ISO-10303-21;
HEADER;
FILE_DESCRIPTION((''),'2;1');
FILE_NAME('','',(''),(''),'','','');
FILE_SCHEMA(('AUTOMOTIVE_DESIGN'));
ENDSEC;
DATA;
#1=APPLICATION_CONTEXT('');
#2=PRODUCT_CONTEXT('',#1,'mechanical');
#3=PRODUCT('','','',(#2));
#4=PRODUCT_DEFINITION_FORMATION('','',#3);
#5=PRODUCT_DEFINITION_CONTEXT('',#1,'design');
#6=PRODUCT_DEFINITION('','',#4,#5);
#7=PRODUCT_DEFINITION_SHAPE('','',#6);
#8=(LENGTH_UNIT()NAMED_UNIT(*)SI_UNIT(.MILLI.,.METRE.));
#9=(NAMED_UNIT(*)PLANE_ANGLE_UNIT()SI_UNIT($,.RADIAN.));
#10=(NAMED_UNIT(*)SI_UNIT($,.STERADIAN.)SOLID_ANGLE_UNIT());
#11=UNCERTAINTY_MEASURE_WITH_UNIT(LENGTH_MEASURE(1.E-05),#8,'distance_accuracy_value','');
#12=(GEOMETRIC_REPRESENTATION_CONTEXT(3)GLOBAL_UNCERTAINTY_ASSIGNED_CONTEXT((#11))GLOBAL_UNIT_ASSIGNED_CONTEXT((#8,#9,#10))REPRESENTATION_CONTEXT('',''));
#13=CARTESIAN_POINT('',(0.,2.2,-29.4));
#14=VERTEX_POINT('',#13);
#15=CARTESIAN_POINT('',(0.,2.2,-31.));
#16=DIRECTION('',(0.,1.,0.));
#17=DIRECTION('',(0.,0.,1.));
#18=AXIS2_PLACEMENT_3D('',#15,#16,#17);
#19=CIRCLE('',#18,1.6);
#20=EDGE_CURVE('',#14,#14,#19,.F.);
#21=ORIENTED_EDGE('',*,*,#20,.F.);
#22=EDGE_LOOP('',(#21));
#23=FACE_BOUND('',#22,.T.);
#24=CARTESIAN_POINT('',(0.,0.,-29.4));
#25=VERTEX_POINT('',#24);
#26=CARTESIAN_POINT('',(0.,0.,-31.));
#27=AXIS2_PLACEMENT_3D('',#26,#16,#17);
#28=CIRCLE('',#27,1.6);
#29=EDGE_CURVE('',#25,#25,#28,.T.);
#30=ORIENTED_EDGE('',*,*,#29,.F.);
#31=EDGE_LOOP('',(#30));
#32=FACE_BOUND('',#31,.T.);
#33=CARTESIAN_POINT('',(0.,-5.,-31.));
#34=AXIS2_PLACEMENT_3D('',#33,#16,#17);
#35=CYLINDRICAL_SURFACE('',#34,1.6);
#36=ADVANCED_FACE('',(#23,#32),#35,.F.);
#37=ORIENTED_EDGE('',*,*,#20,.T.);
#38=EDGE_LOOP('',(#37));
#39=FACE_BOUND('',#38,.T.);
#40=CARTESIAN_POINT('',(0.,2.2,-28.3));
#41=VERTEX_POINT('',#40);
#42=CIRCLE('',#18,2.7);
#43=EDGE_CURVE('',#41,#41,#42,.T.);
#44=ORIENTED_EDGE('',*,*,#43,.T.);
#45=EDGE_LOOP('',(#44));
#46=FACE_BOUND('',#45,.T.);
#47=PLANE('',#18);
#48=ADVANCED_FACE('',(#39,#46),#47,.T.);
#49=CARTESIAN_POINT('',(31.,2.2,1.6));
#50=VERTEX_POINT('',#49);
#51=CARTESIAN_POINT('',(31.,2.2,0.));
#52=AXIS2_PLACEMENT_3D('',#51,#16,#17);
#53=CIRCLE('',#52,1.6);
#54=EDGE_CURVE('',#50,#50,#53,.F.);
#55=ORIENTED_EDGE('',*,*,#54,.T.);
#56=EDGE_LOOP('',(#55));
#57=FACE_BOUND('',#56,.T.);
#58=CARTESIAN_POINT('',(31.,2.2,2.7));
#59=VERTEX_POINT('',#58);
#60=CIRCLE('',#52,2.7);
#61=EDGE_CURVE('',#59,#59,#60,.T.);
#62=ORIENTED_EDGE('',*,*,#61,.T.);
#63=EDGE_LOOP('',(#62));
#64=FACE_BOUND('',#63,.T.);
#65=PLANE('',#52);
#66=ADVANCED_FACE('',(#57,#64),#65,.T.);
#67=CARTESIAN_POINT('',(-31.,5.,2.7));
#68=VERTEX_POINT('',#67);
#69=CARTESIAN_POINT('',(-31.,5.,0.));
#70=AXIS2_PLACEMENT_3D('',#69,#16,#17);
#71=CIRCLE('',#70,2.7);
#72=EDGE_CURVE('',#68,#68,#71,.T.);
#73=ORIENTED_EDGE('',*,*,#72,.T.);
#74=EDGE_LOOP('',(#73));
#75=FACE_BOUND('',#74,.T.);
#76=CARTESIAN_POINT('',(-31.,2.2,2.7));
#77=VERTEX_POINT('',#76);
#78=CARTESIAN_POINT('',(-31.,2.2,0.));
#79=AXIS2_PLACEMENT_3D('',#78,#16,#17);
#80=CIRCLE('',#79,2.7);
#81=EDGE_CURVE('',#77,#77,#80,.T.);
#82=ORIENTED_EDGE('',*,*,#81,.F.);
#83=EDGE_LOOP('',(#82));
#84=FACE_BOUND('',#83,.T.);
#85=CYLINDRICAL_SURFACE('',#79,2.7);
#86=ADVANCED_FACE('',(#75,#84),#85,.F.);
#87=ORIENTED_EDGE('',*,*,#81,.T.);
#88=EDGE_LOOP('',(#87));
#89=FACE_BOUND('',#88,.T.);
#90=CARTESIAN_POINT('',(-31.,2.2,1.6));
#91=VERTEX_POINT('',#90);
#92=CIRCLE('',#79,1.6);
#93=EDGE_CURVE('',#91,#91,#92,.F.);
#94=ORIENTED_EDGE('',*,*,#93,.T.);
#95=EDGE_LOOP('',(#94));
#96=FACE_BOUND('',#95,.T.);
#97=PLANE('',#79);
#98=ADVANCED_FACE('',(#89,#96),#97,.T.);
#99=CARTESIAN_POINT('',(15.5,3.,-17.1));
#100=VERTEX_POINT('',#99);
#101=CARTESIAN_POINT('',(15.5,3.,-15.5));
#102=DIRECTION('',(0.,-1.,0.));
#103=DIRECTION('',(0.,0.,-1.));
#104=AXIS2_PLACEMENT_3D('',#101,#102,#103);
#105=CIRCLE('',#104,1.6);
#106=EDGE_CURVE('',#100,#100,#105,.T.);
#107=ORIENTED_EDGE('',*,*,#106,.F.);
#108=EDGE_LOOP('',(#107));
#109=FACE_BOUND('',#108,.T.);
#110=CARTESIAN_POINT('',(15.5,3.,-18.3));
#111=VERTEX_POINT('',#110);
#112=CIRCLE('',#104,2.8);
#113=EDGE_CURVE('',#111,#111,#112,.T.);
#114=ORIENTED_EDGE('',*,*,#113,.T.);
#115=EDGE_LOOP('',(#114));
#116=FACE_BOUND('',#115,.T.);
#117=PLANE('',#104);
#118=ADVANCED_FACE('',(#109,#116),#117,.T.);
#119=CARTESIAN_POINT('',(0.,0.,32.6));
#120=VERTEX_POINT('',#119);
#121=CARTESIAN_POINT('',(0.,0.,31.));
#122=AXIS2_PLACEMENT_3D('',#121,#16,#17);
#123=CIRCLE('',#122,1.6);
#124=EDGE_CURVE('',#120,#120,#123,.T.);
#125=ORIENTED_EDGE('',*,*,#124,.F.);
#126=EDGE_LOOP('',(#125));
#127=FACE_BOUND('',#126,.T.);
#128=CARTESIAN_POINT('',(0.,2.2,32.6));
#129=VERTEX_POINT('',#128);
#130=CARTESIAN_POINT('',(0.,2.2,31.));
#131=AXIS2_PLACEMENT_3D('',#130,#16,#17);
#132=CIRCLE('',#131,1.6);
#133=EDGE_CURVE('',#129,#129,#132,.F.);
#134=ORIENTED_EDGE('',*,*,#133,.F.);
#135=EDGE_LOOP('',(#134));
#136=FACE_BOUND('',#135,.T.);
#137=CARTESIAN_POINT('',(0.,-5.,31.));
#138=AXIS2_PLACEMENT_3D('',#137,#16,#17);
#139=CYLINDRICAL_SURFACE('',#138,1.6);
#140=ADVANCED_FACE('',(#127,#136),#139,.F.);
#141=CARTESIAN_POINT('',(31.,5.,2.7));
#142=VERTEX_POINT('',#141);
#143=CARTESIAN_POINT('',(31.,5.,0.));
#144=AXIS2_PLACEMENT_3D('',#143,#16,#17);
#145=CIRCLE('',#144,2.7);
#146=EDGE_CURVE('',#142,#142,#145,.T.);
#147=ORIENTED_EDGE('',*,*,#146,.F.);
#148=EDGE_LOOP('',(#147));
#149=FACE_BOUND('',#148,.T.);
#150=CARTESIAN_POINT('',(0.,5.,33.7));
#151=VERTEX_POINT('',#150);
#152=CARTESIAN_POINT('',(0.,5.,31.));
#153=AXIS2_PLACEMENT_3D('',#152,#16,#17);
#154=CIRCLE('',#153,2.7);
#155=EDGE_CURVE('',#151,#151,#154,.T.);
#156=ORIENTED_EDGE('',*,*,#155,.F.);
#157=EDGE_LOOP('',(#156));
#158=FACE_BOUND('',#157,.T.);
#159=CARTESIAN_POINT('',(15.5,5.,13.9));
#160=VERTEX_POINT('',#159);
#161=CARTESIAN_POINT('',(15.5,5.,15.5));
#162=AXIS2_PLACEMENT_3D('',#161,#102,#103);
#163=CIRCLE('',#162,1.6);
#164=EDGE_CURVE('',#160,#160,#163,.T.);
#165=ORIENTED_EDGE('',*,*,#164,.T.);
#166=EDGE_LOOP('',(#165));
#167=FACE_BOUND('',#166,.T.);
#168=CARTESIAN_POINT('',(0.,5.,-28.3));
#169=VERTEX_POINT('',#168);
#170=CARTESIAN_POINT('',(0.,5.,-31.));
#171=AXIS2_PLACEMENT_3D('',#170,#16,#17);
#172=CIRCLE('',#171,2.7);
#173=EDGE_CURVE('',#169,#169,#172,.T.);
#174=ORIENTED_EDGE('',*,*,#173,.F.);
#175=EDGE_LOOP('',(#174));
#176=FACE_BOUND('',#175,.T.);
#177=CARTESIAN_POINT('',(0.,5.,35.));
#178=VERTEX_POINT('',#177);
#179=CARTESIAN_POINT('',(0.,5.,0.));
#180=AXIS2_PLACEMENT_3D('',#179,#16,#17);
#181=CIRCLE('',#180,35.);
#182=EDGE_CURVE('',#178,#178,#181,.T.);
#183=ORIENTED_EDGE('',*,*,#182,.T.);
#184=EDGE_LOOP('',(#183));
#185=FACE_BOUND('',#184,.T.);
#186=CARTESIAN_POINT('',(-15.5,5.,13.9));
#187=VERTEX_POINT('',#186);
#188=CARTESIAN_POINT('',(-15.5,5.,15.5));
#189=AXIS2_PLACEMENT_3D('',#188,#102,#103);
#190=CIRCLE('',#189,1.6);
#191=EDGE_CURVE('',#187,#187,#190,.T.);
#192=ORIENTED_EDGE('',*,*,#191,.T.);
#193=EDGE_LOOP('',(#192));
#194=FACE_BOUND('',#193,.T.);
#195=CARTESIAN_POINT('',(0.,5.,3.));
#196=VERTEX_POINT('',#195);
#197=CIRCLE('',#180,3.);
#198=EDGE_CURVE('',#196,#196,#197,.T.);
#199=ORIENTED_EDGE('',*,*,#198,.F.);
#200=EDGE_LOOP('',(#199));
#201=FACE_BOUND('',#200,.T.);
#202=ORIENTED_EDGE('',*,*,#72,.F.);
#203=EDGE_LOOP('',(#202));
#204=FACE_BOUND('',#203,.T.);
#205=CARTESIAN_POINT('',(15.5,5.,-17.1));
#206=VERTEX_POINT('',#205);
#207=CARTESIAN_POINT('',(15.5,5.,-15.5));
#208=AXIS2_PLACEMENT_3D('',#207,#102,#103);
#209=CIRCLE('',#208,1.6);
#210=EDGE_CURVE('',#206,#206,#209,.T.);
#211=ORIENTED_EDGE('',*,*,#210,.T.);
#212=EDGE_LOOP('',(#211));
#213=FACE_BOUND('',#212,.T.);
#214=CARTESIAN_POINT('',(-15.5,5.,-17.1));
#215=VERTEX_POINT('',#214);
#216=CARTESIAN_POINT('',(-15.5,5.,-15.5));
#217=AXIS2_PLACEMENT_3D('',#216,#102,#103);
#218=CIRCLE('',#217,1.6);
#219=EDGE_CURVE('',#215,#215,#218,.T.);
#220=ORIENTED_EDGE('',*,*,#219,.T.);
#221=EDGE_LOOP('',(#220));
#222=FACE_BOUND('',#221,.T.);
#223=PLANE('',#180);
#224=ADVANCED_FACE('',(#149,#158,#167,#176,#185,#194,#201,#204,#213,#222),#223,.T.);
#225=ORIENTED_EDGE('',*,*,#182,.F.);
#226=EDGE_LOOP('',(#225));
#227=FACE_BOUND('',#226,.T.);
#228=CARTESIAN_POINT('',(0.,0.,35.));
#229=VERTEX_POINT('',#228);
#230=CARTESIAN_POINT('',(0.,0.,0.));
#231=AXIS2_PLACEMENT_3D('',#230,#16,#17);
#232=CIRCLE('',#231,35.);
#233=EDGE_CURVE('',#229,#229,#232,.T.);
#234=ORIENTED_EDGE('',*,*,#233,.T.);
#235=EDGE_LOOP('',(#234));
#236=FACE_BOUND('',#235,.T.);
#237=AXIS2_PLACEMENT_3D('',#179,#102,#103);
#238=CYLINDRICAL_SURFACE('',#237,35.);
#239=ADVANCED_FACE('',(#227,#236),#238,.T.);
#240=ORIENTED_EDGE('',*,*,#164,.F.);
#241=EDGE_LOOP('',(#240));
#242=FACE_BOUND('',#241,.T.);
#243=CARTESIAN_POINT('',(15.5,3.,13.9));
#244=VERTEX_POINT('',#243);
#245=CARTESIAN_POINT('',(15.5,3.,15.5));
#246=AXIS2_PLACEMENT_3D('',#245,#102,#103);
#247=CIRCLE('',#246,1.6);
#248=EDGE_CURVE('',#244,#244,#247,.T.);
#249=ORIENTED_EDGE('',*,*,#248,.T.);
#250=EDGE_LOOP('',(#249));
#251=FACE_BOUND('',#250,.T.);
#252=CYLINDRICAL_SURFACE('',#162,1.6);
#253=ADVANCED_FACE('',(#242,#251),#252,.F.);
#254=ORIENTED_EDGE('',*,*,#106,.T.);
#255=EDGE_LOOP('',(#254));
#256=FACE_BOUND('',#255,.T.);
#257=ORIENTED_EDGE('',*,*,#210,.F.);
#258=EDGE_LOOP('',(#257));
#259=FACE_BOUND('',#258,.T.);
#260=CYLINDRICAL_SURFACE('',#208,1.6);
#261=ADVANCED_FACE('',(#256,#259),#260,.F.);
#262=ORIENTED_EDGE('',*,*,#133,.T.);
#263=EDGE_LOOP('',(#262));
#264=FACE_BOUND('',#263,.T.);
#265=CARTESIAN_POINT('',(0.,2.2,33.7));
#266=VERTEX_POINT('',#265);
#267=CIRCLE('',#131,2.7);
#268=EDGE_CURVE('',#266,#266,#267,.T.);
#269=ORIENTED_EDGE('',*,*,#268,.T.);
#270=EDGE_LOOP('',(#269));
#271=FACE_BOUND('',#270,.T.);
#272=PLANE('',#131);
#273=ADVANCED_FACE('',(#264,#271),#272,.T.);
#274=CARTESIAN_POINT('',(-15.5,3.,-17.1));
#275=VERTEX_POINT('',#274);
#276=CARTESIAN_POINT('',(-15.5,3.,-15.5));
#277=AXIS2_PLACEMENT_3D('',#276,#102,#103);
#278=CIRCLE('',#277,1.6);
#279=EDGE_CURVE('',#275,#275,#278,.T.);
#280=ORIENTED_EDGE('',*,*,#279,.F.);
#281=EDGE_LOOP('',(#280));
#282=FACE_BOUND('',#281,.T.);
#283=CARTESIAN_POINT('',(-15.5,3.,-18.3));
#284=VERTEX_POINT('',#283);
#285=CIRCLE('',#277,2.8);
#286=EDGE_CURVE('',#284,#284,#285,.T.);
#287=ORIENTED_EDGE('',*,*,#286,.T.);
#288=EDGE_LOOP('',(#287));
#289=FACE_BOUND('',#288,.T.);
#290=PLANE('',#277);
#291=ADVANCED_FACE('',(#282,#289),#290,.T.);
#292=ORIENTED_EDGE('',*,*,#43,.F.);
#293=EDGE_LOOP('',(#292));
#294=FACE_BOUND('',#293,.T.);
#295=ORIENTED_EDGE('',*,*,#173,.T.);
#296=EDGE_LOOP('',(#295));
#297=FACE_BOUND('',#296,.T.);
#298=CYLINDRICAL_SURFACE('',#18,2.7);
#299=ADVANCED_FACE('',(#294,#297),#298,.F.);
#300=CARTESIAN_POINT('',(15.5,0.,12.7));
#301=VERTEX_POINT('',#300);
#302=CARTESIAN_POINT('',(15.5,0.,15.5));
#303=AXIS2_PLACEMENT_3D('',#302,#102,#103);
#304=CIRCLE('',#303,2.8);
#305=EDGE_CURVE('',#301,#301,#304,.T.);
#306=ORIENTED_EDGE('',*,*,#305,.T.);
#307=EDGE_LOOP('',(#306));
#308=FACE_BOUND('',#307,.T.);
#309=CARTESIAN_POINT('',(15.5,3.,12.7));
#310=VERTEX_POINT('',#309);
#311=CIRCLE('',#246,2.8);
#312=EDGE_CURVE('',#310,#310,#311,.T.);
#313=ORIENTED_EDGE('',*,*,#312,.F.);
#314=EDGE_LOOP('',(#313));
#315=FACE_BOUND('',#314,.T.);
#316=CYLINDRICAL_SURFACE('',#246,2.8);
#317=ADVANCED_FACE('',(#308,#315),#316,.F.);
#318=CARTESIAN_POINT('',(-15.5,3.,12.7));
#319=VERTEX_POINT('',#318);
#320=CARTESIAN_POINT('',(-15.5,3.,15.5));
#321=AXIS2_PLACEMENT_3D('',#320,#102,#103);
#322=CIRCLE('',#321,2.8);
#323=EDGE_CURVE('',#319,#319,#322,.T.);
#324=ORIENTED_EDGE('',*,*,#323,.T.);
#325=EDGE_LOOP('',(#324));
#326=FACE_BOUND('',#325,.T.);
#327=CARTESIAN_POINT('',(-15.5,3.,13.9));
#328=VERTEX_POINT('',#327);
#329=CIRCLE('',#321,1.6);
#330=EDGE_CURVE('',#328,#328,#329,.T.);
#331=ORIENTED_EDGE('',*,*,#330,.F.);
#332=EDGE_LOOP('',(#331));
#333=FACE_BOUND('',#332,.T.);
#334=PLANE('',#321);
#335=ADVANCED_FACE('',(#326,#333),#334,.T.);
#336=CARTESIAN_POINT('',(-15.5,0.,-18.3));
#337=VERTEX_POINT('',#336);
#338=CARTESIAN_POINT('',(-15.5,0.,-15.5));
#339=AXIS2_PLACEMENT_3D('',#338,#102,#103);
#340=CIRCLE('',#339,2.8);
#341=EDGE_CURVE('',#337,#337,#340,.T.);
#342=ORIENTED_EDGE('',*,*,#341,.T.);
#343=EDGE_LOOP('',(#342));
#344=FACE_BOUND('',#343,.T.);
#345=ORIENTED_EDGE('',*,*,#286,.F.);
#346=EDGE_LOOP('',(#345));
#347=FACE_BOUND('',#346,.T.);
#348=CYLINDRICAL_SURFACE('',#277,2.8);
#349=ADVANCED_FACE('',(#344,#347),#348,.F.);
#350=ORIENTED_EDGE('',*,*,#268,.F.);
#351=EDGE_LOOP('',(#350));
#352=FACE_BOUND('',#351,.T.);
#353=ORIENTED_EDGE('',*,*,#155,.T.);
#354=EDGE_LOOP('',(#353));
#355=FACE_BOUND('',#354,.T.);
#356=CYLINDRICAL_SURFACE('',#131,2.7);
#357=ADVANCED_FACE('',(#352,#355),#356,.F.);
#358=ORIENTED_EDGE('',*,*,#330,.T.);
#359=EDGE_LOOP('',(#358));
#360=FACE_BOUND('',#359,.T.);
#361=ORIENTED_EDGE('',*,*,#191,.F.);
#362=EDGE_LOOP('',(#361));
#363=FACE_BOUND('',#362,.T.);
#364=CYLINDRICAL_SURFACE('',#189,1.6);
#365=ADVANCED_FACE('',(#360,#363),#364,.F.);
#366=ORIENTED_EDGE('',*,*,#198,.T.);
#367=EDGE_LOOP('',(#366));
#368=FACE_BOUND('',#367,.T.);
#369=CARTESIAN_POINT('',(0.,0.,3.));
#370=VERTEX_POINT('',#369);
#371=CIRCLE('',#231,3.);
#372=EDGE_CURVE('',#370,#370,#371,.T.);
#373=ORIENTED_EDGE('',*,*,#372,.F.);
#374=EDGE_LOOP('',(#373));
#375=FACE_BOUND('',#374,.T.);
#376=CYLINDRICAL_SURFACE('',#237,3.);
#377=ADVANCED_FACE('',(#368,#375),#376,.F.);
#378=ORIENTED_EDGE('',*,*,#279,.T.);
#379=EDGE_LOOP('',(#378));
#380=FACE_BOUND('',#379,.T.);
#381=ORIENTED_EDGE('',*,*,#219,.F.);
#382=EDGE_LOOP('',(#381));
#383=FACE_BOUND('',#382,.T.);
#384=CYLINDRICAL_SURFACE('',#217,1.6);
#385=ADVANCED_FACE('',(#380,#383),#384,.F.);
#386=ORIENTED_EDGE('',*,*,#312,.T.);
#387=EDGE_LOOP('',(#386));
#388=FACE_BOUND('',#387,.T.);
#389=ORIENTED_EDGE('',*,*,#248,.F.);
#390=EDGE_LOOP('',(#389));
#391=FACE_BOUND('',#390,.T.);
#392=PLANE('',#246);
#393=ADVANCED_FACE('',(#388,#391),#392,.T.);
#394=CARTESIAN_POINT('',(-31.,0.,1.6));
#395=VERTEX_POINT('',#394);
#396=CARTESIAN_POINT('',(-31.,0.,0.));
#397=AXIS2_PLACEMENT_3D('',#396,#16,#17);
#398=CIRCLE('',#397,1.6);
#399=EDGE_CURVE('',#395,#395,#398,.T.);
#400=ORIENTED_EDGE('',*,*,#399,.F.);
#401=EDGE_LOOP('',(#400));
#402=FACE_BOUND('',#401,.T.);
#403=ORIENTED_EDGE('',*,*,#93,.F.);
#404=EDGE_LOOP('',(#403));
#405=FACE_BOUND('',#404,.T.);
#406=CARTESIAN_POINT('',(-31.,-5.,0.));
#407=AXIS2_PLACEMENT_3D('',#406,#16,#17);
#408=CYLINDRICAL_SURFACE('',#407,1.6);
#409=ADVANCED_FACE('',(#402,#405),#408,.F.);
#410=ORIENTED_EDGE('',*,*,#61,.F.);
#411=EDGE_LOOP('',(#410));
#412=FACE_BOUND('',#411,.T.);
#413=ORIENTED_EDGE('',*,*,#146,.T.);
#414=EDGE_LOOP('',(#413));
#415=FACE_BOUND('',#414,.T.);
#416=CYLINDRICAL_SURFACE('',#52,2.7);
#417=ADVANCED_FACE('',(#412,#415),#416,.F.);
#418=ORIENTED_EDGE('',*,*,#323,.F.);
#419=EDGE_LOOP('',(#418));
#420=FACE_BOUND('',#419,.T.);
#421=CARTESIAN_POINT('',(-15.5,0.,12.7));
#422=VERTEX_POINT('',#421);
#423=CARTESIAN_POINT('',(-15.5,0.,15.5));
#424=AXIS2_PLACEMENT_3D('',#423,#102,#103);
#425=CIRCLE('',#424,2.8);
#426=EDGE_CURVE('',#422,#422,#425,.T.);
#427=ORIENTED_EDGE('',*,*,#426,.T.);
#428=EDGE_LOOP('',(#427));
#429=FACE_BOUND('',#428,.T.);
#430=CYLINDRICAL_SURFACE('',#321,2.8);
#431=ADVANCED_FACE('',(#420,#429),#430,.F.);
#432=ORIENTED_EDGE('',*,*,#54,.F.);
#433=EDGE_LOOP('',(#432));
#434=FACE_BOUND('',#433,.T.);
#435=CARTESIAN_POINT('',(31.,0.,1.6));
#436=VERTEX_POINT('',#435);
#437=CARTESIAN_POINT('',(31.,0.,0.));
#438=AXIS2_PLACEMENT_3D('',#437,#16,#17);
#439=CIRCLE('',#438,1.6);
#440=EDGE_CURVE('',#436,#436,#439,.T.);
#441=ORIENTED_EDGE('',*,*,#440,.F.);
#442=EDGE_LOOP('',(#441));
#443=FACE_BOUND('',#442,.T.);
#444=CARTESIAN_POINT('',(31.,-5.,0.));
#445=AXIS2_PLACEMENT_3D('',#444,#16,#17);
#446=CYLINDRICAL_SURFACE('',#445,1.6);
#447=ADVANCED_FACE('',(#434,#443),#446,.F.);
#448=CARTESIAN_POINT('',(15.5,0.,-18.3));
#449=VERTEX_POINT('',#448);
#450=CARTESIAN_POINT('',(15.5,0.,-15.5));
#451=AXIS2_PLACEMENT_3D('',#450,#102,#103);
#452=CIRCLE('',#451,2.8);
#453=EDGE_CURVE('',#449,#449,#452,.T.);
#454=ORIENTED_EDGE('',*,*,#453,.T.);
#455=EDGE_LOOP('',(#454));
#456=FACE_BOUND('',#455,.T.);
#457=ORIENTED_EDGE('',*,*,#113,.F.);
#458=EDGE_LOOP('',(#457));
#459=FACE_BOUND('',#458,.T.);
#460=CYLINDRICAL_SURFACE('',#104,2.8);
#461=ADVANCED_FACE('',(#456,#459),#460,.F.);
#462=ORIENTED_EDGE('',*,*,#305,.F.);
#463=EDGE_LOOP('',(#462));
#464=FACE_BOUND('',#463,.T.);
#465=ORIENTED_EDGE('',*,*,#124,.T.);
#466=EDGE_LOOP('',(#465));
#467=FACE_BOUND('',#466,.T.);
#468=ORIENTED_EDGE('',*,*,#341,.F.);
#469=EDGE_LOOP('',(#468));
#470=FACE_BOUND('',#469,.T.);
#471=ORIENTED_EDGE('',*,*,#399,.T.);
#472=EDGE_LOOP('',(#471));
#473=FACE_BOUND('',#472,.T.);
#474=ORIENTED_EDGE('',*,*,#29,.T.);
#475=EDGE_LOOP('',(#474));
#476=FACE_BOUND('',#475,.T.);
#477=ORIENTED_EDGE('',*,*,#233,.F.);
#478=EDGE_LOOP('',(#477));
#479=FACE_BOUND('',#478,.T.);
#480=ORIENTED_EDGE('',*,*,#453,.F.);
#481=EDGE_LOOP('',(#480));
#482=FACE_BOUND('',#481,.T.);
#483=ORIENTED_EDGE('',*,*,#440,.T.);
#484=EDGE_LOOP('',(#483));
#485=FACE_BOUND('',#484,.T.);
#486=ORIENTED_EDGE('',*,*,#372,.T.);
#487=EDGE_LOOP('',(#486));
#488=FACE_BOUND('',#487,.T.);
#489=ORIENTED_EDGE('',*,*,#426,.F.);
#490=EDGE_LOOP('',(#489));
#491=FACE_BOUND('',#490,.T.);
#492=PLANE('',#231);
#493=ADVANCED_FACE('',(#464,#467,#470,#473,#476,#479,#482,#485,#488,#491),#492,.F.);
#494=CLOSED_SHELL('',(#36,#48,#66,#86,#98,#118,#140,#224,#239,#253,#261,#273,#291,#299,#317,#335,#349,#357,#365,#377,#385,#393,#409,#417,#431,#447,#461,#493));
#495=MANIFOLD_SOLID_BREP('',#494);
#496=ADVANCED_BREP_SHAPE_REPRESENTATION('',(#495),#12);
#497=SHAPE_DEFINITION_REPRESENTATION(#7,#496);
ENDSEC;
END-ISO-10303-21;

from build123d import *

# Parameters (mm, degrees)
SKETCH1_R           = 35
SKETCH1_R_2         = 3
BOSS_EXTRUDE1_DEPTH = 5
SKETCH2_R           = 1.6
CUT_EXTRUDE1_DEPTH  = 5
SKETCH4_R           = 2.8
SKETCH4_R_2         = 1.6
CUT_EXTRUDE2_DEPTH  = 3
SKETCH5_R           = 1.6
CUT_EXTRUDE3_DEPTH  = 10
SKETCH6_R           = 2.7
CUT_EXTRUDE4_DEPTH  = 2.8


with BuildPart() as part:
    # Sketch1 → Boss-Extrude1 (new body)
    with BuildSketch(Plane(origin=(0, 0, 0), x_dir=(1, 0, 0), z_dir=(0, 1, 0))):
        Circle(SKETCH1_R)
        Circle(SKETCH1_R_2, mode=Mode.SUBTRACT)
    extrude(amount=BOSS_EXTRUDE1_DEPTH)

    # Sketch2 → Cut-Extrude1 (cut)
    with BuildSketch(Plane.XZ):
        with Locations((15.5, 15.5)):
            Circle(SKETCH2_R)
        with Locations((15.5, -15.5)):
            Circle(SKETCH2_R)
        with Locations((-15.5, -15.5)):
            Circle(SKETCH2_R)
        with Locations((-15.5, 15.5)):
            Circle(SKETCH2_R)
    extrude(amount=-CUT_EXTRUDE1_DEPTH, mode=Mode.SUBTRACT)

    # Sketch4 → Cut-Extrude2 (cut)
    with BuildSketch(Plane.XZ):
        with Locations((-15.5, 15.5)):
            Circle(SKETCH4_R)
        with Locations((-15.5, 15.5)):
            Circle(SKETCH4_R_2, mode=Mode.SUBTRACT)
        with Locations((15.5, 15.5)):
            Circle(SKETCH4_R)
        with Locations((15.5, 15.5)):
            Circle(SKETCH4_R_2, mode=Mode.SUBTRACT)
        with Locations((15.5, -15.5)):
            Circle(SKETCH4_R)
        with Locations((15.5, -15.5)):
            Circle(SKETCH4_R_2, mode=Mode.SUBTRACT)
        with Locations((-15.5, -15.5)):
            Circle(SKETCH4_R)
        with Locations((-15.5, -15.5)):
            Circle(SKETCH4_R_2, mode=Mode.SUBTRACT)
    extrude(amount=-CUT_EXTRUDE2_DEPTH, mode=Mode.SUBTRACT)

    # Sketch5 → Cut-Extrude3 (cut)
    with BuildSketch(Plane(origin=(0, 5, 0), x_dir=(1, 0, 0), z_dir=(0, 1, 0))):
        with Locations((0, 31)):
            Circle(SKETCH5_R)
        with Locations((31, 0)):
            Circle(SKETCH5_R)
        with Locations((0, -31)):
            Circle(SKETCH5_R)
        with Locations((-31, 0)):
            Circle(SKETCH5_R)
    extrude(amount=-CUT_EXTRUDE3_DEPTH, mode=Mode.SUBTRACT)

    # Sketch6 → Cut-Extrude4 (cut)
    with BuildSketch(Plane(origin=(0, 5, 0), x_dir=(1, 0, 0), z_dir=(0, 1, 0))):
        with Locations((0, 31)):
            Circle(SKETCH6_R)
        with Locations((31, 0)):
            Circle(SKETCH6_R)
        with Locations((0, -31)):
            Circle(SKETCH6_R)
        with Locations((-31, 0)):
            Circle(SKETCH6_R)
    extrude(amount=-CUT_EXTRUDE4_DEPTH, mode=Mode.SUBTRACT)


solid = part.part
